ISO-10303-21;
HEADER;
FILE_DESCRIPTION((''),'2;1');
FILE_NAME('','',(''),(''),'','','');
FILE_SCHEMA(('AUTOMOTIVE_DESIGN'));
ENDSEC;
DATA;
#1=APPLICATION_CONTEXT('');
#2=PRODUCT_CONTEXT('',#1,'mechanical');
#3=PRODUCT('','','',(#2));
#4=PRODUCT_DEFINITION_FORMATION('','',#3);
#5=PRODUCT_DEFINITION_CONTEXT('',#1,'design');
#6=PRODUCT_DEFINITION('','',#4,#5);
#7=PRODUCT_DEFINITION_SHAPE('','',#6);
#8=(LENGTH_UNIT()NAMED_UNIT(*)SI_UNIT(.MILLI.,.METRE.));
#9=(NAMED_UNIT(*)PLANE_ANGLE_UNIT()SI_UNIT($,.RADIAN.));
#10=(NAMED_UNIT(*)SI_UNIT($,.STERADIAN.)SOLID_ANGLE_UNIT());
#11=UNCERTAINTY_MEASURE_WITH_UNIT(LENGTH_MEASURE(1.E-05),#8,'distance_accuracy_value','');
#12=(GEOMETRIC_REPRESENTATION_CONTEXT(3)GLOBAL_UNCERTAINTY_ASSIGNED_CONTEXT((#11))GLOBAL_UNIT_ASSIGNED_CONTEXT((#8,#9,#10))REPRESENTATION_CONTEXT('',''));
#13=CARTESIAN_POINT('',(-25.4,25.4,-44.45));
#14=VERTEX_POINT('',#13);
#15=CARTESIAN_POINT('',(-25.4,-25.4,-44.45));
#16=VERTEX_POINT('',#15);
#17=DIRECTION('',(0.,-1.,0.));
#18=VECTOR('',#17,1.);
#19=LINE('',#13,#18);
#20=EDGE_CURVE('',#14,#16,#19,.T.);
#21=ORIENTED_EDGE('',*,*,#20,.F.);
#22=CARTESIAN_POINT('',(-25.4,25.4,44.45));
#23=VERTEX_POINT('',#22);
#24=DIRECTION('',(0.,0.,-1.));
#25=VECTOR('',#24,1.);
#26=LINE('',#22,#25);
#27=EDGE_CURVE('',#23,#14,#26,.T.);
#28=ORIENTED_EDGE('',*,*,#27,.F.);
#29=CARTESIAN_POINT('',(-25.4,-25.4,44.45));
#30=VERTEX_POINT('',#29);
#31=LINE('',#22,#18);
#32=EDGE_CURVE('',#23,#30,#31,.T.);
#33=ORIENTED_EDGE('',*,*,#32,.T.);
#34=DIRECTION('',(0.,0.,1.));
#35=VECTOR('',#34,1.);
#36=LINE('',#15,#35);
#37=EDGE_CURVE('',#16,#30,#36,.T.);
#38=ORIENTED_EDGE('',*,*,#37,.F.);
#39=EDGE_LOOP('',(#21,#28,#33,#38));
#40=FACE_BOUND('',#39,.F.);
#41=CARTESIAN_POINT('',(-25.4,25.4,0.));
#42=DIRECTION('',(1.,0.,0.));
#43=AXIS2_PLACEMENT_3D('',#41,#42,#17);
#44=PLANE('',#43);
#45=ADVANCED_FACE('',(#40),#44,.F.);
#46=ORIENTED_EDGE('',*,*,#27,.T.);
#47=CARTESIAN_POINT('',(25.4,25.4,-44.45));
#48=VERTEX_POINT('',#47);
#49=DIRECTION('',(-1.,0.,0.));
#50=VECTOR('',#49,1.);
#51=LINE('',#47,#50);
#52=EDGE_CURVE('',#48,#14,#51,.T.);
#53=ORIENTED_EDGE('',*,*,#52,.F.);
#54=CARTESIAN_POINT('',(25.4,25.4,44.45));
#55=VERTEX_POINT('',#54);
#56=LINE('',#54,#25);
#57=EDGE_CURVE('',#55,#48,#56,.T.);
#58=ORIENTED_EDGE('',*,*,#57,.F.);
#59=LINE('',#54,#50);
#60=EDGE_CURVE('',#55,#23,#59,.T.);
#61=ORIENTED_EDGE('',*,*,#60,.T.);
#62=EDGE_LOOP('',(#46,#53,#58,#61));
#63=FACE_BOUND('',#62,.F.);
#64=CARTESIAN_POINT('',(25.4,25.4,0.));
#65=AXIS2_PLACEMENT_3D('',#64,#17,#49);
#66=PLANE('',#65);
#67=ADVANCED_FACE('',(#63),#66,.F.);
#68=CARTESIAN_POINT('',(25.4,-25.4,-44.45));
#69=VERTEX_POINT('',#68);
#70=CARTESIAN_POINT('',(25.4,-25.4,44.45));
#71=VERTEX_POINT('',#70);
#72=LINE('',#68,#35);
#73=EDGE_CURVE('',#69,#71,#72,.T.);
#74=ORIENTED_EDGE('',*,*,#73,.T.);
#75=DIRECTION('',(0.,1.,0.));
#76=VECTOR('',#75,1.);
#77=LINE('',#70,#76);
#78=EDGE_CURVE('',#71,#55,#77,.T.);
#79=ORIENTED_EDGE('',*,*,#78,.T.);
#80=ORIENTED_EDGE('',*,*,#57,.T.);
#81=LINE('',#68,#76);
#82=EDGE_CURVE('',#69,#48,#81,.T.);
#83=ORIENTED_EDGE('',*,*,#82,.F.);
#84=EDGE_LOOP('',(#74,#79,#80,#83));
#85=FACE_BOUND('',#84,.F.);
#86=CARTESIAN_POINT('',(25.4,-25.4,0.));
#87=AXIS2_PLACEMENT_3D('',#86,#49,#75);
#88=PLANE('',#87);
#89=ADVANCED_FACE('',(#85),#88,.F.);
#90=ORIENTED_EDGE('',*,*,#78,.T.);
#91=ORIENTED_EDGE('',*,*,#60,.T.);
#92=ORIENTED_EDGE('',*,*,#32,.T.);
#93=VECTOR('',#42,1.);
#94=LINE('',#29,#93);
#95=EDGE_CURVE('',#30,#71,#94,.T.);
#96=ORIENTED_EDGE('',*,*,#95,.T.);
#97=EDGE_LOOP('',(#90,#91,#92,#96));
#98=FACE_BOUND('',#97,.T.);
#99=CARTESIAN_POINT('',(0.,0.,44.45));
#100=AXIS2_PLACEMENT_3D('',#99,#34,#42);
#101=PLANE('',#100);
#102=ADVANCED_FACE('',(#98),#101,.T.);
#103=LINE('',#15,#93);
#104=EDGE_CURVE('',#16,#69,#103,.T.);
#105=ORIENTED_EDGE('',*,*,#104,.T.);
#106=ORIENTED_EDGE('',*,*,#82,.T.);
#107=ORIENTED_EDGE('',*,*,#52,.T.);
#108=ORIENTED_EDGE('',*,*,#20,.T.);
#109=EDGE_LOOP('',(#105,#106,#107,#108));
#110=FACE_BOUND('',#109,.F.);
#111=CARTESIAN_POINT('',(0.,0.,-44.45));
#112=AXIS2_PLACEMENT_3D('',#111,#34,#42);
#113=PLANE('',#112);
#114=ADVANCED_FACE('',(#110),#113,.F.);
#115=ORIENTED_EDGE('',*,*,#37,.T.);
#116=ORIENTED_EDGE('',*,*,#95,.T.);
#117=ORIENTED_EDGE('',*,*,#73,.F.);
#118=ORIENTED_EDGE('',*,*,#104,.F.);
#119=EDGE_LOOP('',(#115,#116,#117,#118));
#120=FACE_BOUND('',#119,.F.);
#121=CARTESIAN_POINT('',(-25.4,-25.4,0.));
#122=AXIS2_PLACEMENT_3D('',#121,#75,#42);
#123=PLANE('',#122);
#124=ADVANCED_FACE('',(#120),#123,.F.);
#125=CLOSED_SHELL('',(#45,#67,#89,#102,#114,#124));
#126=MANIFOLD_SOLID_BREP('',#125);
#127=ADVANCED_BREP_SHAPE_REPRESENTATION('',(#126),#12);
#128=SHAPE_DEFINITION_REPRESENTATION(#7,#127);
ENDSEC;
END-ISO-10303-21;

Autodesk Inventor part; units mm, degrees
ref_plane "YZ Plane" through (0, 0, 0) normal (1, 0, 0) x (0, 1, 0)
ref_plane "XZ Plane" through (0, 0, 0) normal (0, 1, 0) x (-1, 0, 0)
ref_plane "XY Plane" through (0, 0, 0) normal (0, 0, 1) x (1, 0, 0)
sketch "Sketch1" plane through (0, 0, 0) normal (0, 0, 1) x (1, 0, 0)
  line L0 (-25.4, -25.4) -> (25.4, -25.4)
  line L1 (25.4, -25.4) -> (25.4, 25.4)
  line L2 (25.4, 25.4) -> (-25.4, 25.4)
  line L3 (-25.4, 25.4) -> (-25.4, -25.4)
  line L4 (-25.4, -25.4) -> (25.4, 25.4) construction
  line L5 (25.4, -25.4) -> (-25.4, 25.4) construction
  point P0 (0, 0)
  dimension "d0" = 50.8
  dimension "d1" = 50.8
extrude "Extrusion1" add sketch "Sketch1" along normal mid plane 88.9
properties part number "block"
